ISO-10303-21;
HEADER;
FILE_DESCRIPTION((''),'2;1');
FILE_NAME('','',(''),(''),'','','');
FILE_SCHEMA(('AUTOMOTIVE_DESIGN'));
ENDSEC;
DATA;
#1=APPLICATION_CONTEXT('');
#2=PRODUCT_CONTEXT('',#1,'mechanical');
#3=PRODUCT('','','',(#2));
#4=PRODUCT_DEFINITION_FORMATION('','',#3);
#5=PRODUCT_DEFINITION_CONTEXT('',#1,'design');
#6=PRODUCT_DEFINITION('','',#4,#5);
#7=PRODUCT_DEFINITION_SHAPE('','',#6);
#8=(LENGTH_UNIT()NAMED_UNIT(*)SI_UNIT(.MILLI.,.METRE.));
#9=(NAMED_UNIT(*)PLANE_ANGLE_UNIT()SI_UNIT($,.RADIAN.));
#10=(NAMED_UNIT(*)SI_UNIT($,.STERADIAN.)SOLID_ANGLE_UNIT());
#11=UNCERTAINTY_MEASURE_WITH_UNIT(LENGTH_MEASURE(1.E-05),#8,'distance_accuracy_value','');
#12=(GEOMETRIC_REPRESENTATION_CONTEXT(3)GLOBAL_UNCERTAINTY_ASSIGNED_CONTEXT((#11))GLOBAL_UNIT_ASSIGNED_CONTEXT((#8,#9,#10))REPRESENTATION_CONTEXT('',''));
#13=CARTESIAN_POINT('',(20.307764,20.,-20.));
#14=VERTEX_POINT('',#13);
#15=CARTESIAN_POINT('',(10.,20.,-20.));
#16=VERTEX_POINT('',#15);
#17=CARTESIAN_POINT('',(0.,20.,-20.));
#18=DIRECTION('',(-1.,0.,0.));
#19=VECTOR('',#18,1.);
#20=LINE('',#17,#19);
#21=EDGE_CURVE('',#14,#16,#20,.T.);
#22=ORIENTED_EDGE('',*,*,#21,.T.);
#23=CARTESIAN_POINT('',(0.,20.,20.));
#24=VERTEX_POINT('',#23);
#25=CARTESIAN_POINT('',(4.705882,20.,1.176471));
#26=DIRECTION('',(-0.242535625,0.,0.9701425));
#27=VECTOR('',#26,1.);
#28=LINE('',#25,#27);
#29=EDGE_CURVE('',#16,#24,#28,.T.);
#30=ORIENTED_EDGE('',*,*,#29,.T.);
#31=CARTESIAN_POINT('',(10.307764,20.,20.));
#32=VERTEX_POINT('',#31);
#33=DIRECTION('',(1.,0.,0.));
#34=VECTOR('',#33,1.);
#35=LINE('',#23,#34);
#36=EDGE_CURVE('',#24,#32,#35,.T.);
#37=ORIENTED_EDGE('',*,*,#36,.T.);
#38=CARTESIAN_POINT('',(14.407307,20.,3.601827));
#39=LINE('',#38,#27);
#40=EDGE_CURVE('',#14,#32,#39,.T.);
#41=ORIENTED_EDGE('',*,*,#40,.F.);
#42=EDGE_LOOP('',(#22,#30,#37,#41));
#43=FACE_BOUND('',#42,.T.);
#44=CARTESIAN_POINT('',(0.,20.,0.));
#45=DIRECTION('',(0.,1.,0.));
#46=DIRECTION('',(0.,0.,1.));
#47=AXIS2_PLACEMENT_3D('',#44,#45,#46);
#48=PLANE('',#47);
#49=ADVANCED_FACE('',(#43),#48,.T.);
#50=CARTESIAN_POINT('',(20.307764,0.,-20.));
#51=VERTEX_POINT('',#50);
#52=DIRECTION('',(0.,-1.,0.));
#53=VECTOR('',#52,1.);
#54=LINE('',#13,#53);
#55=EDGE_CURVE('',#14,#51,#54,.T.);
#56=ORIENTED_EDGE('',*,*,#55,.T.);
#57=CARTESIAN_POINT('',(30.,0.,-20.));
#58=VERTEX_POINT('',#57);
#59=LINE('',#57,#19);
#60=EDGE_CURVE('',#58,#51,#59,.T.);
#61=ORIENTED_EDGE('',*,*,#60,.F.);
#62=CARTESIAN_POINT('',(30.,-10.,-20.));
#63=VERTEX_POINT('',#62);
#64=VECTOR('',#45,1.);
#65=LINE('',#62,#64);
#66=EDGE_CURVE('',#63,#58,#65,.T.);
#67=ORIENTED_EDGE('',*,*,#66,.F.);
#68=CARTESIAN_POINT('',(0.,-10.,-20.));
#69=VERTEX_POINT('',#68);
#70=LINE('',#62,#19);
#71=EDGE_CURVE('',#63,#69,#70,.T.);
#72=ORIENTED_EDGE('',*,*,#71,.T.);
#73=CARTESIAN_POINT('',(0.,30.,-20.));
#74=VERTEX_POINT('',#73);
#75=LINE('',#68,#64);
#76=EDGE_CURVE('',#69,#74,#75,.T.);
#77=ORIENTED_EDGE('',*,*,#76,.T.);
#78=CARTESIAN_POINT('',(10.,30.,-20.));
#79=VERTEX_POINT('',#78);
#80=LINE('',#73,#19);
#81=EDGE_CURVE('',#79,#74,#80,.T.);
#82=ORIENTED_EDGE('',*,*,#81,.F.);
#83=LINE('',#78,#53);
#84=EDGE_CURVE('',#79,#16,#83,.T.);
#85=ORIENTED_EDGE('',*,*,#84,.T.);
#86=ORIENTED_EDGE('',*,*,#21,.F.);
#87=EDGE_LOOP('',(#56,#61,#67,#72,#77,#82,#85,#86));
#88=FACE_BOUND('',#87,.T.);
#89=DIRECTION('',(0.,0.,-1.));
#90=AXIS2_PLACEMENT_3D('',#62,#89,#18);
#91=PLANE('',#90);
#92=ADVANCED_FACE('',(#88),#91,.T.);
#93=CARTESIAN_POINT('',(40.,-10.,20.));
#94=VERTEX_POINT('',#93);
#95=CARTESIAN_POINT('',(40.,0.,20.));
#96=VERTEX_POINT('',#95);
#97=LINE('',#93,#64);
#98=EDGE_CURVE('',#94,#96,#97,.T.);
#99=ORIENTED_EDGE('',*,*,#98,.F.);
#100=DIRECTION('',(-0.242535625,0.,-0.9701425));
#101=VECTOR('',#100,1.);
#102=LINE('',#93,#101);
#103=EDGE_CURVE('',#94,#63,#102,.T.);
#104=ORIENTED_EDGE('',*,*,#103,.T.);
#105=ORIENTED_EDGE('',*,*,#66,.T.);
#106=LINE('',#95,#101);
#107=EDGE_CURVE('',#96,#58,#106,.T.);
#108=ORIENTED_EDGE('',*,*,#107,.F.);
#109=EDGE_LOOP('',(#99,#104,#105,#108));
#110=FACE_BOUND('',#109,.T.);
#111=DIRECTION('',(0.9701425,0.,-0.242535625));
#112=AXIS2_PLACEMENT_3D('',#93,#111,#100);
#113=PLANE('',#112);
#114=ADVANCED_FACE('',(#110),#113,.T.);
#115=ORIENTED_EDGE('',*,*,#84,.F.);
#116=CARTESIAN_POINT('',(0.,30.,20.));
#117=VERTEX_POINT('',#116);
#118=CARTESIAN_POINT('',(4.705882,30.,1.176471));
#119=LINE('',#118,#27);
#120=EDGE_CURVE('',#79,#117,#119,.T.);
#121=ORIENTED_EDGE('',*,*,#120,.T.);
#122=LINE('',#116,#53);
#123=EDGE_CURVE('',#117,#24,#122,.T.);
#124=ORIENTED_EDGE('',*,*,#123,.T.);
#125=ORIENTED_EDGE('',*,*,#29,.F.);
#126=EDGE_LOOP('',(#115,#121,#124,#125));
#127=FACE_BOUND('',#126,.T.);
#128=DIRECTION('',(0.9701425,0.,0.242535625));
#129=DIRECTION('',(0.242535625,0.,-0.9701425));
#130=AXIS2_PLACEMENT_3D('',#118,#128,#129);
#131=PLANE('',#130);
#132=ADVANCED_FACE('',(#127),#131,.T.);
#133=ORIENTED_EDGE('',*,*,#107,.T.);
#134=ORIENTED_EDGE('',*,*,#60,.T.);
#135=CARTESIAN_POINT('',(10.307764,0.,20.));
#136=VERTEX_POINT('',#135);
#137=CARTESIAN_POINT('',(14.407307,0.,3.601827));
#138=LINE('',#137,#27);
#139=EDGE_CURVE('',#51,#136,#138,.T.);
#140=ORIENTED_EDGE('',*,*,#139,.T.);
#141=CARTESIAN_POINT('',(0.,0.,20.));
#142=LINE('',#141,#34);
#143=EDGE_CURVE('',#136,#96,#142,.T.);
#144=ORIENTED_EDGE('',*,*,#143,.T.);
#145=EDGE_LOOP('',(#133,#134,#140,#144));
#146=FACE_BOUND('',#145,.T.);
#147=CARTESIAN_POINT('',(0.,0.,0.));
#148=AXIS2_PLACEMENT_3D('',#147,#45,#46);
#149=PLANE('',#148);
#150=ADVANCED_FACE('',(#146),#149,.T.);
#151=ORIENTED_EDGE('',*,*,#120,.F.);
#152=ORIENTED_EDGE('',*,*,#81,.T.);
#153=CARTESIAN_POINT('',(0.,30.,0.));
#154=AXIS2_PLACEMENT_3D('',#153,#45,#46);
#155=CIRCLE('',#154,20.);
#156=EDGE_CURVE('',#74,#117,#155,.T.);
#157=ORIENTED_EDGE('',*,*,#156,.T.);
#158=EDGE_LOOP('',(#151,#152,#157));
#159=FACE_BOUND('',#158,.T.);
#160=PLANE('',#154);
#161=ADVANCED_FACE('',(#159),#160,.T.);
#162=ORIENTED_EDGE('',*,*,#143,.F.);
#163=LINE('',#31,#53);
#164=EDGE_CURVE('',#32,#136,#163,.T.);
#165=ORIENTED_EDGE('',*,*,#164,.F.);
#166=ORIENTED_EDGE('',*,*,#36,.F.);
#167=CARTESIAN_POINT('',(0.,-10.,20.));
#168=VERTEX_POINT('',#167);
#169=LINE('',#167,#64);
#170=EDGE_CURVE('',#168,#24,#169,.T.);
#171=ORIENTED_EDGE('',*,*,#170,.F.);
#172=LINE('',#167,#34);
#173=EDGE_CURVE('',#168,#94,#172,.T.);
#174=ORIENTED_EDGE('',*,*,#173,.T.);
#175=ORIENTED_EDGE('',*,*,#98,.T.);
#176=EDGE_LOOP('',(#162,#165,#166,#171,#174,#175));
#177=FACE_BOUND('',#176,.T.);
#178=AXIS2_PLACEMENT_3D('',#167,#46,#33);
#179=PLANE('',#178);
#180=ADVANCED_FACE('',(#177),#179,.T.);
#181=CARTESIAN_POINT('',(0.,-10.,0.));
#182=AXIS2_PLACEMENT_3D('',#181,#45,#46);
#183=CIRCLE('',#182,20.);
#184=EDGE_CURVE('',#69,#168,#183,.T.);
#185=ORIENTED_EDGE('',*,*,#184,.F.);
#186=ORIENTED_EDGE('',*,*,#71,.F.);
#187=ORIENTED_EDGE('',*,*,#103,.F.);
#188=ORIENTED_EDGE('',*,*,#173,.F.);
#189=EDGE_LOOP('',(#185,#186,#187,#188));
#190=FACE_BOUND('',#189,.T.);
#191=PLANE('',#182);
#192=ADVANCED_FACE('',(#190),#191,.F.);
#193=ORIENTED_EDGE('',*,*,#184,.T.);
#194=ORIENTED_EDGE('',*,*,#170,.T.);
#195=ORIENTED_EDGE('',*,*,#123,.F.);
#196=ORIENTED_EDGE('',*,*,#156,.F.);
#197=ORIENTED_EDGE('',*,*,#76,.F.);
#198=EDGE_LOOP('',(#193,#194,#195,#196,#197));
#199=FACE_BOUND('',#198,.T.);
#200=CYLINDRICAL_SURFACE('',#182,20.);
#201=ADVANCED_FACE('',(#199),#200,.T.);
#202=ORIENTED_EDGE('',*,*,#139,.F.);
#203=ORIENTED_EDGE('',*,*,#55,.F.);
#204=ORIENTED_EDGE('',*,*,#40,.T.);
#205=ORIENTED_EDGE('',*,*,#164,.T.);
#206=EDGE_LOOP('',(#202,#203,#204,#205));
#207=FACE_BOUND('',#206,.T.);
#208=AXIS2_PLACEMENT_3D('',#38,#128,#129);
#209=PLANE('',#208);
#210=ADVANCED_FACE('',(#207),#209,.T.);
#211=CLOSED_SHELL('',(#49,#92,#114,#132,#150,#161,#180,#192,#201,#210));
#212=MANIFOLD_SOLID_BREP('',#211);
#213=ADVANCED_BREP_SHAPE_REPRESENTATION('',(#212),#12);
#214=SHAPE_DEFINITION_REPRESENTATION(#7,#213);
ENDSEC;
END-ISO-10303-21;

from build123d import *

# Parameters (mm, degrees)
EXTRUDE_1_DEPTH = 10
EXTRUDE_START   = 30
EXTRUDE_2_DEPTH = 30
EXTRUDE_3_DEPTH = 20


with BuildPart() as part:
    # 草圖1 → 填料-伸長1 (new body)
    with BuildSketch(Plane(origin=(0, 0, 0), x_dir=(1, 0, 0), z_dir=(0, 1, 0))):
        with BuildLine():
            Line((0, -20), (40, -20))
            Line((40, -20), (30, 20))
            Line((30, 20), (0, 20))
            ThreePointArc((0, 20), (-20, 0), (0, -20))
        make_face()
    extrude(amount=-EXTRUDE_1_DEPTH)

    # 草圖2 → 填料-伸長2 (add)
    with BuildSketch(Plane(origin=(0, 0, 0), x_dir=(1, 0, 0), z_dir=(0, 1, 0)).offset(EXTRUDE_START)):
        with BuildLine():
            Line((10, 20), (0, 20))
            ThreePointArc((0, 20), (-20, 0), (0, -20))
            Line((0, -20), (10, 20))
        make_face()
    extrude(amount=-EXTRUDE_2_DEPTH)

    # 草圖2<3> → 填料-伸長3 (add)
    with BuildSketch(Plane(origin=(0, 0, 0), x_dir=(1, 0, 0), z_dir=(0, 1, 0))):
        Polygon((20.307764064, 20), (10, 20), (0, -20), (10.307764064, -20), align=None)
    extrude(amount=EXTRUDE_3_DEPTH)


solid = part.part
